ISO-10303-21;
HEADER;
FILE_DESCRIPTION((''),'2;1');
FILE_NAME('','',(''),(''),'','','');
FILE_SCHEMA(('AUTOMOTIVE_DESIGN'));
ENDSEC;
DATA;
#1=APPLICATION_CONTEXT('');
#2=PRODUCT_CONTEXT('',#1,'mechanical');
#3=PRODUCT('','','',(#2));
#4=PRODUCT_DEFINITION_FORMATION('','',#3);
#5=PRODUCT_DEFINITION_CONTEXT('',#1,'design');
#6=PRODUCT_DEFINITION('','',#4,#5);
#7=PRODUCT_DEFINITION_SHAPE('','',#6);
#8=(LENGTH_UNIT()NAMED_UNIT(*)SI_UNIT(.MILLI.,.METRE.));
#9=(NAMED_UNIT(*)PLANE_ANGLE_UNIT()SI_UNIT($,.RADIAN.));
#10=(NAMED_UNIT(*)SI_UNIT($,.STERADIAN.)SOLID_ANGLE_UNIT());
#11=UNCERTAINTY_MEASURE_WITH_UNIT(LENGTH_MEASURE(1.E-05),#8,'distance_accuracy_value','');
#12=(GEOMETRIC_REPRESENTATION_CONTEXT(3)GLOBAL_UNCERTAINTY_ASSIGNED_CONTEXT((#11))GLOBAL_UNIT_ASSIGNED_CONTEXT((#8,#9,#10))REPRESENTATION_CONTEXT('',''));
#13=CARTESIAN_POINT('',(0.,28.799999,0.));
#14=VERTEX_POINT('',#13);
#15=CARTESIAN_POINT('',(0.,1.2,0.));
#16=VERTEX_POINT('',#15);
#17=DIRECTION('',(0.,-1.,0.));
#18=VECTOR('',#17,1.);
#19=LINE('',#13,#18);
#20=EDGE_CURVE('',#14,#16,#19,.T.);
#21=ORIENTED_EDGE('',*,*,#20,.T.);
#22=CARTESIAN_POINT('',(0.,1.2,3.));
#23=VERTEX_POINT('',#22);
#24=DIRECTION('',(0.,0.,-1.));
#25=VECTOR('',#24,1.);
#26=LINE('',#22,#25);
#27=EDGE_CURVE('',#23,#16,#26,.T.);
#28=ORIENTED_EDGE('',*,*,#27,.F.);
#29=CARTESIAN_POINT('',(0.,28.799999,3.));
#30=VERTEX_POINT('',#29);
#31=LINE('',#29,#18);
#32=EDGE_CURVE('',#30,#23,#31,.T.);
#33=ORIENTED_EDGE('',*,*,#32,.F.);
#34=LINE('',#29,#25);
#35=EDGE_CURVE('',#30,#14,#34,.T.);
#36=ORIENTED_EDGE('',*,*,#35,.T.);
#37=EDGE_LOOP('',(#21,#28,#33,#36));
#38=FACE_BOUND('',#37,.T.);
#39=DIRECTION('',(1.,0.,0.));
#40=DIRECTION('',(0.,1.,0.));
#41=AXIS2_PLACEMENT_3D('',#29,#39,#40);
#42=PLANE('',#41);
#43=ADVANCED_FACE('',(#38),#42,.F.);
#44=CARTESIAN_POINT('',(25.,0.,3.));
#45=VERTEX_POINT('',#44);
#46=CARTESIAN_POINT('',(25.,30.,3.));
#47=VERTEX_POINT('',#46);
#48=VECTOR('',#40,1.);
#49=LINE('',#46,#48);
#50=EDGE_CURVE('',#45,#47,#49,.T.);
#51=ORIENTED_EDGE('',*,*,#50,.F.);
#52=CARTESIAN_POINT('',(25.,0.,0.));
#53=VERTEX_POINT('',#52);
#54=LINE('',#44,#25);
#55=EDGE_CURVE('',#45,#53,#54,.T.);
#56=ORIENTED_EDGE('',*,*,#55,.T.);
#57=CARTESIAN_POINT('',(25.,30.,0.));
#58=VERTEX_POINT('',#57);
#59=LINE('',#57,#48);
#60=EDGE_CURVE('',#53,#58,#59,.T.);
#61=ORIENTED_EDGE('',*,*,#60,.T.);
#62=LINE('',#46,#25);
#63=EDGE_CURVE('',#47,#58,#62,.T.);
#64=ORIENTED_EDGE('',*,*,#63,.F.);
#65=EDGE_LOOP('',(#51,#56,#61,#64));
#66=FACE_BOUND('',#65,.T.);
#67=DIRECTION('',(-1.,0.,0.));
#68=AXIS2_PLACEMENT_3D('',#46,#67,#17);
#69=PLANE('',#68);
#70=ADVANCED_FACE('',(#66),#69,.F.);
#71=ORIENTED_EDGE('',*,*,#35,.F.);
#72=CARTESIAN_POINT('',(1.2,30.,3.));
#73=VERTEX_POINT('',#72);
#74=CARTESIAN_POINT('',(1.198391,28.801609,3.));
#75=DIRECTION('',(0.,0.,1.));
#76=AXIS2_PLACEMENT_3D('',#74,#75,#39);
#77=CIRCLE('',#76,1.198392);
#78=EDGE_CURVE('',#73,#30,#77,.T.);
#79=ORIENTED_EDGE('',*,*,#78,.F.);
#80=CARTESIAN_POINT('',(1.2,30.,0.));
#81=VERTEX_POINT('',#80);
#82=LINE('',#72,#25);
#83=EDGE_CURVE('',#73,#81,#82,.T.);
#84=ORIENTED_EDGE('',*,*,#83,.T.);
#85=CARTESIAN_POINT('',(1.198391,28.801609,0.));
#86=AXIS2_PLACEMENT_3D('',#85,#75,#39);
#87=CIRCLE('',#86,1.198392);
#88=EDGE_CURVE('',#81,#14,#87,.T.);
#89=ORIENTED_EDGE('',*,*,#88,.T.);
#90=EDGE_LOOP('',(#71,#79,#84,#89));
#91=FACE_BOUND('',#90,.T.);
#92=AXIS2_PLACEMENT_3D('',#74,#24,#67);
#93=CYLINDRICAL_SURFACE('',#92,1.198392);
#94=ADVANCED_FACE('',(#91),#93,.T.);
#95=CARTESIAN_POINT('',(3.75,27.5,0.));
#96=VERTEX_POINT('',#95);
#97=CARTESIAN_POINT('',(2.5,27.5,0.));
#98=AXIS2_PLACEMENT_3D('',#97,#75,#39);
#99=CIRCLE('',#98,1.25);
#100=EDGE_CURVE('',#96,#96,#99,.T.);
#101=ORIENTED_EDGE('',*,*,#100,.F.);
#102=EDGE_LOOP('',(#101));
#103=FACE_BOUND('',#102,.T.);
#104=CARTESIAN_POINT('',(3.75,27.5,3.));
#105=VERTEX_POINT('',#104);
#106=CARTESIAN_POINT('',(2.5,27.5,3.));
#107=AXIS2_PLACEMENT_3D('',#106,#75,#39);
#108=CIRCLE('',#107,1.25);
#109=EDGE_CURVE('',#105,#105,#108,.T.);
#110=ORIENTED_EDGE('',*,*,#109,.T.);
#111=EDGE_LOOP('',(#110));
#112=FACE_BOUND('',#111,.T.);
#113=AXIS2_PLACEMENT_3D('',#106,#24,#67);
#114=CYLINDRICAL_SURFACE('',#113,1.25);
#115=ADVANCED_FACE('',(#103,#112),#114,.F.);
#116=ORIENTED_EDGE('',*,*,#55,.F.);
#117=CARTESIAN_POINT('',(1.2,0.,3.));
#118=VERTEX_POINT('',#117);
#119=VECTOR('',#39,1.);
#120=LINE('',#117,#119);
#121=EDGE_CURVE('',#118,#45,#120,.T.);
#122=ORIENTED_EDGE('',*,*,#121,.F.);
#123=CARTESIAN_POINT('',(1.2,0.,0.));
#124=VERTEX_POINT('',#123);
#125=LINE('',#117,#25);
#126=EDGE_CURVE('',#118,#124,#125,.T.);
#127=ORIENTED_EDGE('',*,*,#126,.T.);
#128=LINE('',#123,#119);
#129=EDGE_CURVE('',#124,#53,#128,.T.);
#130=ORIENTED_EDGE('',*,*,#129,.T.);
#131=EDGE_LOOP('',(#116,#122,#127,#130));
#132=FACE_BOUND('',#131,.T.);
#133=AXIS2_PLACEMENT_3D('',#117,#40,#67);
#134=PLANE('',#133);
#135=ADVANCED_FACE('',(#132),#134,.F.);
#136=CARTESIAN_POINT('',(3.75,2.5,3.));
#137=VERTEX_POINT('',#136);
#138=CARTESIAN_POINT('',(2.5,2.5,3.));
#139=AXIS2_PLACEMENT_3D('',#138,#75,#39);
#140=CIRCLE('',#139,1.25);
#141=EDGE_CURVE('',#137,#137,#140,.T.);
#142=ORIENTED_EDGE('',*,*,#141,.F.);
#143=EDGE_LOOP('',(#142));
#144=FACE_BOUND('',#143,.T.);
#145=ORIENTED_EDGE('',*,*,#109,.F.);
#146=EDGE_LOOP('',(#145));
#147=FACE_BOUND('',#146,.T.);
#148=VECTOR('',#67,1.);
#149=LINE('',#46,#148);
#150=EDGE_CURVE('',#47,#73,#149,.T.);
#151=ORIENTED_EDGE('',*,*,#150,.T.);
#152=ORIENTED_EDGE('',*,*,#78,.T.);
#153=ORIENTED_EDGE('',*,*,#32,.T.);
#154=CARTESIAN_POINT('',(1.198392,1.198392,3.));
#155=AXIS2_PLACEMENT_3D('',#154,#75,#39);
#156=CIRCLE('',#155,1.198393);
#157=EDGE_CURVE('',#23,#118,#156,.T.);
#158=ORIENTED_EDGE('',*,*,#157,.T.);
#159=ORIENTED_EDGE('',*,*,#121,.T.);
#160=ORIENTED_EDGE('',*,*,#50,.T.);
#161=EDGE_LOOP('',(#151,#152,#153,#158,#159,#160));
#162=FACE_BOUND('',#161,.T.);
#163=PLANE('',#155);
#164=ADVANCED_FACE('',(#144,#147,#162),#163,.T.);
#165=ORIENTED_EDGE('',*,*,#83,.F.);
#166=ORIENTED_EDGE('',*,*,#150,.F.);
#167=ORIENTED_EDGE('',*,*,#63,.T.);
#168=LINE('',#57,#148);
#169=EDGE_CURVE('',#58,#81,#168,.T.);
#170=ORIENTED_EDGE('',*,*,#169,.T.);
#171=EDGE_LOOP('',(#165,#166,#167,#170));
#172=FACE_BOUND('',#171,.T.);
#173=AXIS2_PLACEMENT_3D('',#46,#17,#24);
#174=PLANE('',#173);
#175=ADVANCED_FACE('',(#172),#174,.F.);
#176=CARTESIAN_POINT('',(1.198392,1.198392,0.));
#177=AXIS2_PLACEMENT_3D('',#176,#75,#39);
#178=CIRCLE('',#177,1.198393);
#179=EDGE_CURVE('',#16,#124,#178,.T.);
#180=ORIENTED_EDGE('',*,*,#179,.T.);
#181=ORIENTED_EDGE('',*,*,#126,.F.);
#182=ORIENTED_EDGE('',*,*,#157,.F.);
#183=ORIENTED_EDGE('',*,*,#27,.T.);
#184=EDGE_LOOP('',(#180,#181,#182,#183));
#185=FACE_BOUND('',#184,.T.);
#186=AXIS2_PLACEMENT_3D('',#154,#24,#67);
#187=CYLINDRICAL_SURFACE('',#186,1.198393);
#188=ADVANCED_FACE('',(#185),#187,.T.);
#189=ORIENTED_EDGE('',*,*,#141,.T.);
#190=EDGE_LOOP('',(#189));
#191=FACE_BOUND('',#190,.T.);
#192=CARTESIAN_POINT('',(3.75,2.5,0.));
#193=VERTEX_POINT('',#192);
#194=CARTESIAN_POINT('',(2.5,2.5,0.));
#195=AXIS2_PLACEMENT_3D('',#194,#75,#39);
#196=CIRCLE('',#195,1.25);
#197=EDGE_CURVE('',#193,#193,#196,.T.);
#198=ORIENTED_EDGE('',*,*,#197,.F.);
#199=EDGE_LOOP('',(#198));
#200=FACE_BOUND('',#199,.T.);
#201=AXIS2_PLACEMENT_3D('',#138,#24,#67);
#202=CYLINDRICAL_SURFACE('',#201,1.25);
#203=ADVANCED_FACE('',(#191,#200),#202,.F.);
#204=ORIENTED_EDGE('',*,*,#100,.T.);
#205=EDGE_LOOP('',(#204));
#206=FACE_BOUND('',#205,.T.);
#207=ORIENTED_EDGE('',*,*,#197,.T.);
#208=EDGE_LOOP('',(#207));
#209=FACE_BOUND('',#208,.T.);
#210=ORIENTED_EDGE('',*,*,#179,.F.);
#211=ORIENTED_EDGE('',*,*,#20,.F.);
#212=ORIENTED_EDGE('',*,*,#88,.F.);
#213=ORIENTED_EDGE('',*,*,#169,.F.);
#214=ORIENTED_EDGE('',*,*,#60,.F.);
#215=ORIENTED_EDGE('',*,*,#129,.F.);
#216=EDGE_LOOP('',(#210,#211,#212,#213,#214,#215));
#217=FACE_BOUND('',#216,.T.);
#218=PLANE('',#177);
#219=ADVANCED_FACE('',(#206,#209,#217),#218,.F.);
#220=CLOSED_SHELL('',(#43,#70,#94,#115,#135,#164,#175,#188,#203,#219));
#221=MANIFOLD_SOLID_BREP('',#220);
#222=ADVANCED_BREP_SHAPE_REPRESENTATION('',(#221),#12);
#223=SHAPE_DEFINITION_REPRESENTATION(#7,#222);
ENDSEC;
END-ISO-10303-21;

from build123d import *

# Parameters (mm, degrees)
SKETCH_1_R      = 1.25
EXTRUDE_1_DEPTH = 3


with BuildPart() as part:
    # 草图1 → 凸台-拉伸1 (new body)
    with BuildSketch(Plane.XY):
        with BuildLine():
            Line((24.999999642, 30), (24.999999642, 0))
            Line((24.999999642, 0), (1.200000048, 0))
            ThreePointArc((1.200000048, 0), (0.351000011, 0.351000011), (0, 1.200000048))
            Line((0, 1.200000048), (0, 28.799999237))
            ThreePointArc((0, 28.799999237), (0.350999669, 29.648999825), (1.200000048, 30))
            Line((1.200000048, 30), (24.999999642, 30))
        make_face()
        with Locations((2.5, 2.5)):
            Circle(SKETCH_1_R, mode=Mode.SUBTRACT)
        with Locations((2.5, 27.5)):
            Circle(SKETCH_1_R, mode=Mode.SUBTRACT)
    extrude(amount=EXTRUDE_1_DEPTH)


solid = part.part
